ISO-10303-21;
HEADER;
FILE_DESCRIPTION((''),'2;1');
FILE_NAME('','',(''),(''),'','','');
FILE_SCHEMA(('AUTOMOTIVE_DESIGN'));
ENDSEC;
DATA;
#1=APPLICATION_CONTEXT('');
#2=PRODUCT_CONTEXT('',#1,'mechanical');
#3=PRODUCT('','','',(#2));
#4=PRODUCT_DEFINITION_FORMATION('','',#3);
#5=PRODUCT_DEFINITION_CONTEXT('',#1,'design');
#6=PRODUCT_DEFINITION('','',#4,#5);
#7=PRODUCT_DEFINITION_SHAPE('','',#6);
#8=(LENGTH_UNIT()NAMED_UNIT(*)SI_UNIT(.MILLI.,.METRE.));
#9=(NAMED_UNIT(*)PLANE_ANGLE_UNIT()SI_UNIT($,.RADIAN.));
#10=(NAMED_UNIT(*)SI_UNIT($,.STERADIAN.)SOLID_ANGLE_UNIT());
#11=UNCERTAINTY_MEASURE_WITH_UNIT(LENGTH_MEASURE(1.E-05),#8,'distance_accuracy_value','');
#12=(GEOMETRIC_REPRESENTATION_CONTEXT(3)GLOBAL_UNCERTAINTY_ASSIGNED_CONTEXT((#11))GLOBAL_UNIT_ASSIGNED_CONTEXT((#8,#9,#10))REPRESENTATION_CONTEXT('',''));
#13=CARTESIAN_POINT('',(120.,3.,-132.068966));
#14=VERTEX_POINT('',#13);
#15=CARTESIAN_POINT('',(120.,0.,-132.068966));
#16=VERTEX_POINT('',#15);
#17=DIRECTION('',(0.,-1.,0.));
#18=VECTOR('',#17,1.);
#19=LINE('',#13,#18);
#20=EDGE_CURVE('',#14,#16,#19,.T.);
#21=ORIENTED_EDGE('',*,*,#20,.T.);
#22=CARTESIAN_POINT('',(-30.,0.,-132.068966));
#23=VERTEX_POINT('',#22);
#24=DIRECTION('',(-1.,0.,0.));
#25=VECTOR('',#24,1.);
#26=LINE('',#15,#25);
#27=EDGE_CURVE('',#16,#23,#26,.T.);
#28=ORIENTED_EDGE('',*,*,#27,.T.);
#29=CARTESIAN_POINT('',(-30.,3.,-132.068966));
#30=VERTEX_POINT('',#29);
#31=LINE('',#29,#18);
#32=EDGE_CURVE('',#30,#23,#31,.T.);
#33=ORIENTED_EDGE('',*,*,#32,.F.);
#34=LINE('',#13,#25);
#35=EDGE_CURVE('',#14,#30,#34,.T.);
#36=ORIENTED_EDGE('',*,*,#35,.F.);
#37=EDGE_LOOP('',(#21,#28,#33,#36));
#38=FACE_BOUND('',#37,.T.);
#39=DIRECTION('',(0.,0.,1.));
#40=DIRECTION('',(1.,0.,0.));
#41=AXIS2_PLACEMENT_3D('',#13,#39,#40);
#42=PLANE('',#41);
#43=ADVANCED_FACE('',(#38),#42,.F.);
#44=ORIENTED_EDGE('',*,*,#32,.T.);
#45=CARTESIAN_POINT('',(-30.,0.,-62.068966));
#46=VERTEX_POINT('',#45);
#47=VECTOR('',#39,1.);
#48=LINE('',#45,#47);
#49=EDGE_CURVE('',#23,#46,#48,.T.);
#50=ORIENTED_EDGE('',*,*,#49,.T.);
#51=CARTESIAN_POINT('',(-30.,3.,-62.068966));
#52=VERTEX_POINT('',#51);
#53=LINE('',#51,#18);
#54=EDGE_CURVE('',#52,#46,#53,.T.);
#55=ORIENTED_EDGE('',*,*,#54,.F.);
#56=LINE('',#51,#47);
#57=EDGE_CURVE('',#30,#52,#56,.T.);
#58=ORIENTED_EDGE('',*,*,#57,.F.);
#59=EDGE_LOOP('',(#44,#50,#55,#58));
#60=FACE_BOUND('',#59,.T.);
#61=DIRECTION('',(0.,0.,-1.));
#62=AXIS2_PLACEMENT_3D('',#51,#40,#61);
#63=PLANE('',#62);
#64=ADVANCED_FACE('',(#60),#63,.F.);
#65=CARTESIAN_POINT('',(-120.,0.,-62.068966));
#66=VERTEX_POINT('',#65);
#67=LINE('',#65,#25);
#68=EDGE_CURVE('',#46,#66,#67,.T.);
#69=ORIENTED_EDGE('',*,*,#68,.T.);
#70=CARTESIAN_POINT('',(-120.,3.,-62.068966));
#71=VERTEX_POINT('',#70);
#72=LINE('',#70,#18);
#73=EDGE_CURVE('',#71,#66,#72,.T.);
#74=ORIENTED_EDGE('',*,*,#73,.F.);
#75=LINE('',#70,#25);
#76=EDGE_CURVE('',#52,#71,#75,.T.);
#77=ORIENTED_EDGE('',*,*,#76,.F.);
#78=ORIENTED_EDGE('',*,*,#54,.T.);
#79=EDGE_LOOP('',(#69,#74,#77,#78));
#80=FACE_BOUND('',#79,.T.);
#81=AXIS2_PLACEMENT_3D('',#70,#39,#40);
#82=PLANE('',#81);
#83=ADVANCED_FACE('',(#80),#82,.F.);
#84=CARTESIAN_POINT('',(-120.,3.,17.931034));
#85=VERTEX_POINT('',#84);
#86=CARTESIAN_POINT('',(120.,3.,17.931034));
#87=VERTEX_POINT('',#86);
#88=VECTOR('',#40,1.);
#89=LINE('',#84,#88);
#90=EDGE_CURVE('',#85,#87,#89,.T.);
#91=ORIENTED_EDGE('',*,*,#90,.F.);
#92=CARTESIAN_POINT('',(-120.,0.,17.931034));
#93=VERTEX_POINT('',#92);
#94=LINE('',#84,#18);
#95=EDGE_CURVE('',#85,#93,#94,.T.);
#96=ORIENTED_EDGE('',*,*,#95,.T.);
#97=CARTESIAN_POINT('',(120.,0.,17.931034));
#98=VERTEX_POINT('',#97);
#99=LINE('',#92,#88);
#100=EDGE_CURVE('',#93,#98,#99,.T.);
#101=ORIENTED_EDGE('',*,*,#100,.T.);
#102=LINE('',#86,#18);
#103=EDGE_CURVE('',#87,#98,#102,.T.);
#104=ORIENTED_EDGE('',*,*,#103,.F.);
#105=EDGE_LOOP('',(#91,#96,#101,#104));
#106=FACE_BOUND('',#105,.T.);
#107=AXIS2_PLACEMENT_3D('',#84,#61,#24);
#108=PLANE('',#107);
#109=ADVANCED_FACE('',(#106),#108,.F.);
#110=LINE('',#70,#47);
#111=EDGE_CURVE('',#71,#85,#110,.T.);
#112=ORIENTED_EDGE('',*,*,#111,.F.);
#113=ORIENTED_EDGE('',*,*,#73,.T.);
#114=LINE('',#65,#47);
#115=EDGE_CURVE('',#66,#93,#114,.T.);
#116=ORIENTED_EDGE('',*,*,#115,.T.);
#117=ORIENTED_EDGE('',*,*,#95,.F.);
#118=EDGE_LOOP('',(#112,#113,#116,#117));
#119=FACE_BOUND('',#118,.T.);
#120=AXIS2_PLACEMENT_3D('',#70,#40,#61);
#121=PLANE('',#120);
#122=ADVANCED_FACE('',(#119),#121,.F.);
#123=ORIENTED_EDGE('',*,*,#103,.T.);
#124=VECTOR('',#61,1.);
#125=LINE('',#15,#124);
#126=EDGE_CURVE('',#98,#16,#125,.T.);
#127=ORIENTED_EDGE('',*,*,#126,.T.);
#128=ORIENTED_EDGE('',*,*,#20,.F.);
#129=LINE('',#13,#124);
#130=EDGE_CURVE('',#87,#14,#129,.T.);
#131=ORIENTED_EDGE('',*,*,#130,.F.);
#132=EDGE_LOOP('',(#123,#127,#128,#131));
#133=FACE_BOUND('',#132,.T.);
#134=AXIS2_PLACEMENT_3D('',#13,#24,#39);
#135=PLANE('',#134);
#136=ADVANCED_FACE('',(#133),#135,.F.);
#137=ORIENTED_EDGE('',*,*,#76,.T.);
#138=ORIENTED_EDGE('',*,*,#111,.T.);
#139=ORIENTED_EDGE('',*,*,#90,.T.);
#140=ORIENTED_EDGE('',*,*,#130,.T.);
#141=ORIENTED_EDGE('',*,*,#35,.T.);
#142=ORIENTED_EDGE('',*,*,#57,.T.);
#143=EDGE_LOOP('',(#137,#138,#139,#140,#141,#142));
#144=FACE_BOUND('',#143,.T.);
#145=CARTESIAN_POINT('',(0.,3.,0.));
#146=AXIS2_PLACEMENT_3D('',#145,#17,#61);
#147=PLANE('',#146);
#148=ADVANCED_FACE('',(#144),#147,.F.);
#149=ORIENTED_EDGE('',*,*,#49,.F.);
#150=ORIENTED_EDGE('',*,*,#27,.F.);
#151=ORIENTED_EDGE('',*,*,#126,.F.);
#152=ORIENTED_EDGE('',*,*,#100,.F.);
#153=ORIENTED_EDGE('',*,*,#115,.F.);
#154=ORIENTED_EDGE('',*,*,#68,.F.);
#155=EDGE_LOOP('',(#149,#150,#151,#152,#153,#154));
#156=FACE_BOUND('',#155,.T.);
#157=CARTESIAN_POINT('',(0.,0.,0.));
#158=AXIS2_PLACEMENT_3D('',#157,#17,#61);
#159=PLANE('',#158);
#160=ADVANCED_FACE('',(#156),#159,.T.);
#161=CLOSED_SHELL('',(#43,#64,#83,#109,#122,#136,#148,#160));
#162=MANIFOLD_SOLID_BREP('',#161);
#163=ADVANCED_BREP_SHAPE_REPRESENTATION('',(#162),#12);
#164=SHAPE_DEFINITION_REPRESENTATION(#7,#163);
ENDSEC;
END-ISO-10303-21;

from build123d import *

# Parameters (mm, degrees)
BOSS_EXTRUDE1_DEPTH = 3


with BuildPart() as part:
    # Sketch1 → Boss-Extrude1 (new body)
    with BuildSketch(Plane(origin=(0, 0, 0), x_dir=(1, 0, 0), z_dir=(0, 1, 0))):
        Polygon((120, 132.068965517), (120, -17.931034483), (-120, -17.931034483), (-120, 62.068965517), (-30, 62.068965517), (-30, 132.068965517), align=None)
    extrude(amount=BOSS_EXTRUDE1_DEPTH)


solid = part.part
